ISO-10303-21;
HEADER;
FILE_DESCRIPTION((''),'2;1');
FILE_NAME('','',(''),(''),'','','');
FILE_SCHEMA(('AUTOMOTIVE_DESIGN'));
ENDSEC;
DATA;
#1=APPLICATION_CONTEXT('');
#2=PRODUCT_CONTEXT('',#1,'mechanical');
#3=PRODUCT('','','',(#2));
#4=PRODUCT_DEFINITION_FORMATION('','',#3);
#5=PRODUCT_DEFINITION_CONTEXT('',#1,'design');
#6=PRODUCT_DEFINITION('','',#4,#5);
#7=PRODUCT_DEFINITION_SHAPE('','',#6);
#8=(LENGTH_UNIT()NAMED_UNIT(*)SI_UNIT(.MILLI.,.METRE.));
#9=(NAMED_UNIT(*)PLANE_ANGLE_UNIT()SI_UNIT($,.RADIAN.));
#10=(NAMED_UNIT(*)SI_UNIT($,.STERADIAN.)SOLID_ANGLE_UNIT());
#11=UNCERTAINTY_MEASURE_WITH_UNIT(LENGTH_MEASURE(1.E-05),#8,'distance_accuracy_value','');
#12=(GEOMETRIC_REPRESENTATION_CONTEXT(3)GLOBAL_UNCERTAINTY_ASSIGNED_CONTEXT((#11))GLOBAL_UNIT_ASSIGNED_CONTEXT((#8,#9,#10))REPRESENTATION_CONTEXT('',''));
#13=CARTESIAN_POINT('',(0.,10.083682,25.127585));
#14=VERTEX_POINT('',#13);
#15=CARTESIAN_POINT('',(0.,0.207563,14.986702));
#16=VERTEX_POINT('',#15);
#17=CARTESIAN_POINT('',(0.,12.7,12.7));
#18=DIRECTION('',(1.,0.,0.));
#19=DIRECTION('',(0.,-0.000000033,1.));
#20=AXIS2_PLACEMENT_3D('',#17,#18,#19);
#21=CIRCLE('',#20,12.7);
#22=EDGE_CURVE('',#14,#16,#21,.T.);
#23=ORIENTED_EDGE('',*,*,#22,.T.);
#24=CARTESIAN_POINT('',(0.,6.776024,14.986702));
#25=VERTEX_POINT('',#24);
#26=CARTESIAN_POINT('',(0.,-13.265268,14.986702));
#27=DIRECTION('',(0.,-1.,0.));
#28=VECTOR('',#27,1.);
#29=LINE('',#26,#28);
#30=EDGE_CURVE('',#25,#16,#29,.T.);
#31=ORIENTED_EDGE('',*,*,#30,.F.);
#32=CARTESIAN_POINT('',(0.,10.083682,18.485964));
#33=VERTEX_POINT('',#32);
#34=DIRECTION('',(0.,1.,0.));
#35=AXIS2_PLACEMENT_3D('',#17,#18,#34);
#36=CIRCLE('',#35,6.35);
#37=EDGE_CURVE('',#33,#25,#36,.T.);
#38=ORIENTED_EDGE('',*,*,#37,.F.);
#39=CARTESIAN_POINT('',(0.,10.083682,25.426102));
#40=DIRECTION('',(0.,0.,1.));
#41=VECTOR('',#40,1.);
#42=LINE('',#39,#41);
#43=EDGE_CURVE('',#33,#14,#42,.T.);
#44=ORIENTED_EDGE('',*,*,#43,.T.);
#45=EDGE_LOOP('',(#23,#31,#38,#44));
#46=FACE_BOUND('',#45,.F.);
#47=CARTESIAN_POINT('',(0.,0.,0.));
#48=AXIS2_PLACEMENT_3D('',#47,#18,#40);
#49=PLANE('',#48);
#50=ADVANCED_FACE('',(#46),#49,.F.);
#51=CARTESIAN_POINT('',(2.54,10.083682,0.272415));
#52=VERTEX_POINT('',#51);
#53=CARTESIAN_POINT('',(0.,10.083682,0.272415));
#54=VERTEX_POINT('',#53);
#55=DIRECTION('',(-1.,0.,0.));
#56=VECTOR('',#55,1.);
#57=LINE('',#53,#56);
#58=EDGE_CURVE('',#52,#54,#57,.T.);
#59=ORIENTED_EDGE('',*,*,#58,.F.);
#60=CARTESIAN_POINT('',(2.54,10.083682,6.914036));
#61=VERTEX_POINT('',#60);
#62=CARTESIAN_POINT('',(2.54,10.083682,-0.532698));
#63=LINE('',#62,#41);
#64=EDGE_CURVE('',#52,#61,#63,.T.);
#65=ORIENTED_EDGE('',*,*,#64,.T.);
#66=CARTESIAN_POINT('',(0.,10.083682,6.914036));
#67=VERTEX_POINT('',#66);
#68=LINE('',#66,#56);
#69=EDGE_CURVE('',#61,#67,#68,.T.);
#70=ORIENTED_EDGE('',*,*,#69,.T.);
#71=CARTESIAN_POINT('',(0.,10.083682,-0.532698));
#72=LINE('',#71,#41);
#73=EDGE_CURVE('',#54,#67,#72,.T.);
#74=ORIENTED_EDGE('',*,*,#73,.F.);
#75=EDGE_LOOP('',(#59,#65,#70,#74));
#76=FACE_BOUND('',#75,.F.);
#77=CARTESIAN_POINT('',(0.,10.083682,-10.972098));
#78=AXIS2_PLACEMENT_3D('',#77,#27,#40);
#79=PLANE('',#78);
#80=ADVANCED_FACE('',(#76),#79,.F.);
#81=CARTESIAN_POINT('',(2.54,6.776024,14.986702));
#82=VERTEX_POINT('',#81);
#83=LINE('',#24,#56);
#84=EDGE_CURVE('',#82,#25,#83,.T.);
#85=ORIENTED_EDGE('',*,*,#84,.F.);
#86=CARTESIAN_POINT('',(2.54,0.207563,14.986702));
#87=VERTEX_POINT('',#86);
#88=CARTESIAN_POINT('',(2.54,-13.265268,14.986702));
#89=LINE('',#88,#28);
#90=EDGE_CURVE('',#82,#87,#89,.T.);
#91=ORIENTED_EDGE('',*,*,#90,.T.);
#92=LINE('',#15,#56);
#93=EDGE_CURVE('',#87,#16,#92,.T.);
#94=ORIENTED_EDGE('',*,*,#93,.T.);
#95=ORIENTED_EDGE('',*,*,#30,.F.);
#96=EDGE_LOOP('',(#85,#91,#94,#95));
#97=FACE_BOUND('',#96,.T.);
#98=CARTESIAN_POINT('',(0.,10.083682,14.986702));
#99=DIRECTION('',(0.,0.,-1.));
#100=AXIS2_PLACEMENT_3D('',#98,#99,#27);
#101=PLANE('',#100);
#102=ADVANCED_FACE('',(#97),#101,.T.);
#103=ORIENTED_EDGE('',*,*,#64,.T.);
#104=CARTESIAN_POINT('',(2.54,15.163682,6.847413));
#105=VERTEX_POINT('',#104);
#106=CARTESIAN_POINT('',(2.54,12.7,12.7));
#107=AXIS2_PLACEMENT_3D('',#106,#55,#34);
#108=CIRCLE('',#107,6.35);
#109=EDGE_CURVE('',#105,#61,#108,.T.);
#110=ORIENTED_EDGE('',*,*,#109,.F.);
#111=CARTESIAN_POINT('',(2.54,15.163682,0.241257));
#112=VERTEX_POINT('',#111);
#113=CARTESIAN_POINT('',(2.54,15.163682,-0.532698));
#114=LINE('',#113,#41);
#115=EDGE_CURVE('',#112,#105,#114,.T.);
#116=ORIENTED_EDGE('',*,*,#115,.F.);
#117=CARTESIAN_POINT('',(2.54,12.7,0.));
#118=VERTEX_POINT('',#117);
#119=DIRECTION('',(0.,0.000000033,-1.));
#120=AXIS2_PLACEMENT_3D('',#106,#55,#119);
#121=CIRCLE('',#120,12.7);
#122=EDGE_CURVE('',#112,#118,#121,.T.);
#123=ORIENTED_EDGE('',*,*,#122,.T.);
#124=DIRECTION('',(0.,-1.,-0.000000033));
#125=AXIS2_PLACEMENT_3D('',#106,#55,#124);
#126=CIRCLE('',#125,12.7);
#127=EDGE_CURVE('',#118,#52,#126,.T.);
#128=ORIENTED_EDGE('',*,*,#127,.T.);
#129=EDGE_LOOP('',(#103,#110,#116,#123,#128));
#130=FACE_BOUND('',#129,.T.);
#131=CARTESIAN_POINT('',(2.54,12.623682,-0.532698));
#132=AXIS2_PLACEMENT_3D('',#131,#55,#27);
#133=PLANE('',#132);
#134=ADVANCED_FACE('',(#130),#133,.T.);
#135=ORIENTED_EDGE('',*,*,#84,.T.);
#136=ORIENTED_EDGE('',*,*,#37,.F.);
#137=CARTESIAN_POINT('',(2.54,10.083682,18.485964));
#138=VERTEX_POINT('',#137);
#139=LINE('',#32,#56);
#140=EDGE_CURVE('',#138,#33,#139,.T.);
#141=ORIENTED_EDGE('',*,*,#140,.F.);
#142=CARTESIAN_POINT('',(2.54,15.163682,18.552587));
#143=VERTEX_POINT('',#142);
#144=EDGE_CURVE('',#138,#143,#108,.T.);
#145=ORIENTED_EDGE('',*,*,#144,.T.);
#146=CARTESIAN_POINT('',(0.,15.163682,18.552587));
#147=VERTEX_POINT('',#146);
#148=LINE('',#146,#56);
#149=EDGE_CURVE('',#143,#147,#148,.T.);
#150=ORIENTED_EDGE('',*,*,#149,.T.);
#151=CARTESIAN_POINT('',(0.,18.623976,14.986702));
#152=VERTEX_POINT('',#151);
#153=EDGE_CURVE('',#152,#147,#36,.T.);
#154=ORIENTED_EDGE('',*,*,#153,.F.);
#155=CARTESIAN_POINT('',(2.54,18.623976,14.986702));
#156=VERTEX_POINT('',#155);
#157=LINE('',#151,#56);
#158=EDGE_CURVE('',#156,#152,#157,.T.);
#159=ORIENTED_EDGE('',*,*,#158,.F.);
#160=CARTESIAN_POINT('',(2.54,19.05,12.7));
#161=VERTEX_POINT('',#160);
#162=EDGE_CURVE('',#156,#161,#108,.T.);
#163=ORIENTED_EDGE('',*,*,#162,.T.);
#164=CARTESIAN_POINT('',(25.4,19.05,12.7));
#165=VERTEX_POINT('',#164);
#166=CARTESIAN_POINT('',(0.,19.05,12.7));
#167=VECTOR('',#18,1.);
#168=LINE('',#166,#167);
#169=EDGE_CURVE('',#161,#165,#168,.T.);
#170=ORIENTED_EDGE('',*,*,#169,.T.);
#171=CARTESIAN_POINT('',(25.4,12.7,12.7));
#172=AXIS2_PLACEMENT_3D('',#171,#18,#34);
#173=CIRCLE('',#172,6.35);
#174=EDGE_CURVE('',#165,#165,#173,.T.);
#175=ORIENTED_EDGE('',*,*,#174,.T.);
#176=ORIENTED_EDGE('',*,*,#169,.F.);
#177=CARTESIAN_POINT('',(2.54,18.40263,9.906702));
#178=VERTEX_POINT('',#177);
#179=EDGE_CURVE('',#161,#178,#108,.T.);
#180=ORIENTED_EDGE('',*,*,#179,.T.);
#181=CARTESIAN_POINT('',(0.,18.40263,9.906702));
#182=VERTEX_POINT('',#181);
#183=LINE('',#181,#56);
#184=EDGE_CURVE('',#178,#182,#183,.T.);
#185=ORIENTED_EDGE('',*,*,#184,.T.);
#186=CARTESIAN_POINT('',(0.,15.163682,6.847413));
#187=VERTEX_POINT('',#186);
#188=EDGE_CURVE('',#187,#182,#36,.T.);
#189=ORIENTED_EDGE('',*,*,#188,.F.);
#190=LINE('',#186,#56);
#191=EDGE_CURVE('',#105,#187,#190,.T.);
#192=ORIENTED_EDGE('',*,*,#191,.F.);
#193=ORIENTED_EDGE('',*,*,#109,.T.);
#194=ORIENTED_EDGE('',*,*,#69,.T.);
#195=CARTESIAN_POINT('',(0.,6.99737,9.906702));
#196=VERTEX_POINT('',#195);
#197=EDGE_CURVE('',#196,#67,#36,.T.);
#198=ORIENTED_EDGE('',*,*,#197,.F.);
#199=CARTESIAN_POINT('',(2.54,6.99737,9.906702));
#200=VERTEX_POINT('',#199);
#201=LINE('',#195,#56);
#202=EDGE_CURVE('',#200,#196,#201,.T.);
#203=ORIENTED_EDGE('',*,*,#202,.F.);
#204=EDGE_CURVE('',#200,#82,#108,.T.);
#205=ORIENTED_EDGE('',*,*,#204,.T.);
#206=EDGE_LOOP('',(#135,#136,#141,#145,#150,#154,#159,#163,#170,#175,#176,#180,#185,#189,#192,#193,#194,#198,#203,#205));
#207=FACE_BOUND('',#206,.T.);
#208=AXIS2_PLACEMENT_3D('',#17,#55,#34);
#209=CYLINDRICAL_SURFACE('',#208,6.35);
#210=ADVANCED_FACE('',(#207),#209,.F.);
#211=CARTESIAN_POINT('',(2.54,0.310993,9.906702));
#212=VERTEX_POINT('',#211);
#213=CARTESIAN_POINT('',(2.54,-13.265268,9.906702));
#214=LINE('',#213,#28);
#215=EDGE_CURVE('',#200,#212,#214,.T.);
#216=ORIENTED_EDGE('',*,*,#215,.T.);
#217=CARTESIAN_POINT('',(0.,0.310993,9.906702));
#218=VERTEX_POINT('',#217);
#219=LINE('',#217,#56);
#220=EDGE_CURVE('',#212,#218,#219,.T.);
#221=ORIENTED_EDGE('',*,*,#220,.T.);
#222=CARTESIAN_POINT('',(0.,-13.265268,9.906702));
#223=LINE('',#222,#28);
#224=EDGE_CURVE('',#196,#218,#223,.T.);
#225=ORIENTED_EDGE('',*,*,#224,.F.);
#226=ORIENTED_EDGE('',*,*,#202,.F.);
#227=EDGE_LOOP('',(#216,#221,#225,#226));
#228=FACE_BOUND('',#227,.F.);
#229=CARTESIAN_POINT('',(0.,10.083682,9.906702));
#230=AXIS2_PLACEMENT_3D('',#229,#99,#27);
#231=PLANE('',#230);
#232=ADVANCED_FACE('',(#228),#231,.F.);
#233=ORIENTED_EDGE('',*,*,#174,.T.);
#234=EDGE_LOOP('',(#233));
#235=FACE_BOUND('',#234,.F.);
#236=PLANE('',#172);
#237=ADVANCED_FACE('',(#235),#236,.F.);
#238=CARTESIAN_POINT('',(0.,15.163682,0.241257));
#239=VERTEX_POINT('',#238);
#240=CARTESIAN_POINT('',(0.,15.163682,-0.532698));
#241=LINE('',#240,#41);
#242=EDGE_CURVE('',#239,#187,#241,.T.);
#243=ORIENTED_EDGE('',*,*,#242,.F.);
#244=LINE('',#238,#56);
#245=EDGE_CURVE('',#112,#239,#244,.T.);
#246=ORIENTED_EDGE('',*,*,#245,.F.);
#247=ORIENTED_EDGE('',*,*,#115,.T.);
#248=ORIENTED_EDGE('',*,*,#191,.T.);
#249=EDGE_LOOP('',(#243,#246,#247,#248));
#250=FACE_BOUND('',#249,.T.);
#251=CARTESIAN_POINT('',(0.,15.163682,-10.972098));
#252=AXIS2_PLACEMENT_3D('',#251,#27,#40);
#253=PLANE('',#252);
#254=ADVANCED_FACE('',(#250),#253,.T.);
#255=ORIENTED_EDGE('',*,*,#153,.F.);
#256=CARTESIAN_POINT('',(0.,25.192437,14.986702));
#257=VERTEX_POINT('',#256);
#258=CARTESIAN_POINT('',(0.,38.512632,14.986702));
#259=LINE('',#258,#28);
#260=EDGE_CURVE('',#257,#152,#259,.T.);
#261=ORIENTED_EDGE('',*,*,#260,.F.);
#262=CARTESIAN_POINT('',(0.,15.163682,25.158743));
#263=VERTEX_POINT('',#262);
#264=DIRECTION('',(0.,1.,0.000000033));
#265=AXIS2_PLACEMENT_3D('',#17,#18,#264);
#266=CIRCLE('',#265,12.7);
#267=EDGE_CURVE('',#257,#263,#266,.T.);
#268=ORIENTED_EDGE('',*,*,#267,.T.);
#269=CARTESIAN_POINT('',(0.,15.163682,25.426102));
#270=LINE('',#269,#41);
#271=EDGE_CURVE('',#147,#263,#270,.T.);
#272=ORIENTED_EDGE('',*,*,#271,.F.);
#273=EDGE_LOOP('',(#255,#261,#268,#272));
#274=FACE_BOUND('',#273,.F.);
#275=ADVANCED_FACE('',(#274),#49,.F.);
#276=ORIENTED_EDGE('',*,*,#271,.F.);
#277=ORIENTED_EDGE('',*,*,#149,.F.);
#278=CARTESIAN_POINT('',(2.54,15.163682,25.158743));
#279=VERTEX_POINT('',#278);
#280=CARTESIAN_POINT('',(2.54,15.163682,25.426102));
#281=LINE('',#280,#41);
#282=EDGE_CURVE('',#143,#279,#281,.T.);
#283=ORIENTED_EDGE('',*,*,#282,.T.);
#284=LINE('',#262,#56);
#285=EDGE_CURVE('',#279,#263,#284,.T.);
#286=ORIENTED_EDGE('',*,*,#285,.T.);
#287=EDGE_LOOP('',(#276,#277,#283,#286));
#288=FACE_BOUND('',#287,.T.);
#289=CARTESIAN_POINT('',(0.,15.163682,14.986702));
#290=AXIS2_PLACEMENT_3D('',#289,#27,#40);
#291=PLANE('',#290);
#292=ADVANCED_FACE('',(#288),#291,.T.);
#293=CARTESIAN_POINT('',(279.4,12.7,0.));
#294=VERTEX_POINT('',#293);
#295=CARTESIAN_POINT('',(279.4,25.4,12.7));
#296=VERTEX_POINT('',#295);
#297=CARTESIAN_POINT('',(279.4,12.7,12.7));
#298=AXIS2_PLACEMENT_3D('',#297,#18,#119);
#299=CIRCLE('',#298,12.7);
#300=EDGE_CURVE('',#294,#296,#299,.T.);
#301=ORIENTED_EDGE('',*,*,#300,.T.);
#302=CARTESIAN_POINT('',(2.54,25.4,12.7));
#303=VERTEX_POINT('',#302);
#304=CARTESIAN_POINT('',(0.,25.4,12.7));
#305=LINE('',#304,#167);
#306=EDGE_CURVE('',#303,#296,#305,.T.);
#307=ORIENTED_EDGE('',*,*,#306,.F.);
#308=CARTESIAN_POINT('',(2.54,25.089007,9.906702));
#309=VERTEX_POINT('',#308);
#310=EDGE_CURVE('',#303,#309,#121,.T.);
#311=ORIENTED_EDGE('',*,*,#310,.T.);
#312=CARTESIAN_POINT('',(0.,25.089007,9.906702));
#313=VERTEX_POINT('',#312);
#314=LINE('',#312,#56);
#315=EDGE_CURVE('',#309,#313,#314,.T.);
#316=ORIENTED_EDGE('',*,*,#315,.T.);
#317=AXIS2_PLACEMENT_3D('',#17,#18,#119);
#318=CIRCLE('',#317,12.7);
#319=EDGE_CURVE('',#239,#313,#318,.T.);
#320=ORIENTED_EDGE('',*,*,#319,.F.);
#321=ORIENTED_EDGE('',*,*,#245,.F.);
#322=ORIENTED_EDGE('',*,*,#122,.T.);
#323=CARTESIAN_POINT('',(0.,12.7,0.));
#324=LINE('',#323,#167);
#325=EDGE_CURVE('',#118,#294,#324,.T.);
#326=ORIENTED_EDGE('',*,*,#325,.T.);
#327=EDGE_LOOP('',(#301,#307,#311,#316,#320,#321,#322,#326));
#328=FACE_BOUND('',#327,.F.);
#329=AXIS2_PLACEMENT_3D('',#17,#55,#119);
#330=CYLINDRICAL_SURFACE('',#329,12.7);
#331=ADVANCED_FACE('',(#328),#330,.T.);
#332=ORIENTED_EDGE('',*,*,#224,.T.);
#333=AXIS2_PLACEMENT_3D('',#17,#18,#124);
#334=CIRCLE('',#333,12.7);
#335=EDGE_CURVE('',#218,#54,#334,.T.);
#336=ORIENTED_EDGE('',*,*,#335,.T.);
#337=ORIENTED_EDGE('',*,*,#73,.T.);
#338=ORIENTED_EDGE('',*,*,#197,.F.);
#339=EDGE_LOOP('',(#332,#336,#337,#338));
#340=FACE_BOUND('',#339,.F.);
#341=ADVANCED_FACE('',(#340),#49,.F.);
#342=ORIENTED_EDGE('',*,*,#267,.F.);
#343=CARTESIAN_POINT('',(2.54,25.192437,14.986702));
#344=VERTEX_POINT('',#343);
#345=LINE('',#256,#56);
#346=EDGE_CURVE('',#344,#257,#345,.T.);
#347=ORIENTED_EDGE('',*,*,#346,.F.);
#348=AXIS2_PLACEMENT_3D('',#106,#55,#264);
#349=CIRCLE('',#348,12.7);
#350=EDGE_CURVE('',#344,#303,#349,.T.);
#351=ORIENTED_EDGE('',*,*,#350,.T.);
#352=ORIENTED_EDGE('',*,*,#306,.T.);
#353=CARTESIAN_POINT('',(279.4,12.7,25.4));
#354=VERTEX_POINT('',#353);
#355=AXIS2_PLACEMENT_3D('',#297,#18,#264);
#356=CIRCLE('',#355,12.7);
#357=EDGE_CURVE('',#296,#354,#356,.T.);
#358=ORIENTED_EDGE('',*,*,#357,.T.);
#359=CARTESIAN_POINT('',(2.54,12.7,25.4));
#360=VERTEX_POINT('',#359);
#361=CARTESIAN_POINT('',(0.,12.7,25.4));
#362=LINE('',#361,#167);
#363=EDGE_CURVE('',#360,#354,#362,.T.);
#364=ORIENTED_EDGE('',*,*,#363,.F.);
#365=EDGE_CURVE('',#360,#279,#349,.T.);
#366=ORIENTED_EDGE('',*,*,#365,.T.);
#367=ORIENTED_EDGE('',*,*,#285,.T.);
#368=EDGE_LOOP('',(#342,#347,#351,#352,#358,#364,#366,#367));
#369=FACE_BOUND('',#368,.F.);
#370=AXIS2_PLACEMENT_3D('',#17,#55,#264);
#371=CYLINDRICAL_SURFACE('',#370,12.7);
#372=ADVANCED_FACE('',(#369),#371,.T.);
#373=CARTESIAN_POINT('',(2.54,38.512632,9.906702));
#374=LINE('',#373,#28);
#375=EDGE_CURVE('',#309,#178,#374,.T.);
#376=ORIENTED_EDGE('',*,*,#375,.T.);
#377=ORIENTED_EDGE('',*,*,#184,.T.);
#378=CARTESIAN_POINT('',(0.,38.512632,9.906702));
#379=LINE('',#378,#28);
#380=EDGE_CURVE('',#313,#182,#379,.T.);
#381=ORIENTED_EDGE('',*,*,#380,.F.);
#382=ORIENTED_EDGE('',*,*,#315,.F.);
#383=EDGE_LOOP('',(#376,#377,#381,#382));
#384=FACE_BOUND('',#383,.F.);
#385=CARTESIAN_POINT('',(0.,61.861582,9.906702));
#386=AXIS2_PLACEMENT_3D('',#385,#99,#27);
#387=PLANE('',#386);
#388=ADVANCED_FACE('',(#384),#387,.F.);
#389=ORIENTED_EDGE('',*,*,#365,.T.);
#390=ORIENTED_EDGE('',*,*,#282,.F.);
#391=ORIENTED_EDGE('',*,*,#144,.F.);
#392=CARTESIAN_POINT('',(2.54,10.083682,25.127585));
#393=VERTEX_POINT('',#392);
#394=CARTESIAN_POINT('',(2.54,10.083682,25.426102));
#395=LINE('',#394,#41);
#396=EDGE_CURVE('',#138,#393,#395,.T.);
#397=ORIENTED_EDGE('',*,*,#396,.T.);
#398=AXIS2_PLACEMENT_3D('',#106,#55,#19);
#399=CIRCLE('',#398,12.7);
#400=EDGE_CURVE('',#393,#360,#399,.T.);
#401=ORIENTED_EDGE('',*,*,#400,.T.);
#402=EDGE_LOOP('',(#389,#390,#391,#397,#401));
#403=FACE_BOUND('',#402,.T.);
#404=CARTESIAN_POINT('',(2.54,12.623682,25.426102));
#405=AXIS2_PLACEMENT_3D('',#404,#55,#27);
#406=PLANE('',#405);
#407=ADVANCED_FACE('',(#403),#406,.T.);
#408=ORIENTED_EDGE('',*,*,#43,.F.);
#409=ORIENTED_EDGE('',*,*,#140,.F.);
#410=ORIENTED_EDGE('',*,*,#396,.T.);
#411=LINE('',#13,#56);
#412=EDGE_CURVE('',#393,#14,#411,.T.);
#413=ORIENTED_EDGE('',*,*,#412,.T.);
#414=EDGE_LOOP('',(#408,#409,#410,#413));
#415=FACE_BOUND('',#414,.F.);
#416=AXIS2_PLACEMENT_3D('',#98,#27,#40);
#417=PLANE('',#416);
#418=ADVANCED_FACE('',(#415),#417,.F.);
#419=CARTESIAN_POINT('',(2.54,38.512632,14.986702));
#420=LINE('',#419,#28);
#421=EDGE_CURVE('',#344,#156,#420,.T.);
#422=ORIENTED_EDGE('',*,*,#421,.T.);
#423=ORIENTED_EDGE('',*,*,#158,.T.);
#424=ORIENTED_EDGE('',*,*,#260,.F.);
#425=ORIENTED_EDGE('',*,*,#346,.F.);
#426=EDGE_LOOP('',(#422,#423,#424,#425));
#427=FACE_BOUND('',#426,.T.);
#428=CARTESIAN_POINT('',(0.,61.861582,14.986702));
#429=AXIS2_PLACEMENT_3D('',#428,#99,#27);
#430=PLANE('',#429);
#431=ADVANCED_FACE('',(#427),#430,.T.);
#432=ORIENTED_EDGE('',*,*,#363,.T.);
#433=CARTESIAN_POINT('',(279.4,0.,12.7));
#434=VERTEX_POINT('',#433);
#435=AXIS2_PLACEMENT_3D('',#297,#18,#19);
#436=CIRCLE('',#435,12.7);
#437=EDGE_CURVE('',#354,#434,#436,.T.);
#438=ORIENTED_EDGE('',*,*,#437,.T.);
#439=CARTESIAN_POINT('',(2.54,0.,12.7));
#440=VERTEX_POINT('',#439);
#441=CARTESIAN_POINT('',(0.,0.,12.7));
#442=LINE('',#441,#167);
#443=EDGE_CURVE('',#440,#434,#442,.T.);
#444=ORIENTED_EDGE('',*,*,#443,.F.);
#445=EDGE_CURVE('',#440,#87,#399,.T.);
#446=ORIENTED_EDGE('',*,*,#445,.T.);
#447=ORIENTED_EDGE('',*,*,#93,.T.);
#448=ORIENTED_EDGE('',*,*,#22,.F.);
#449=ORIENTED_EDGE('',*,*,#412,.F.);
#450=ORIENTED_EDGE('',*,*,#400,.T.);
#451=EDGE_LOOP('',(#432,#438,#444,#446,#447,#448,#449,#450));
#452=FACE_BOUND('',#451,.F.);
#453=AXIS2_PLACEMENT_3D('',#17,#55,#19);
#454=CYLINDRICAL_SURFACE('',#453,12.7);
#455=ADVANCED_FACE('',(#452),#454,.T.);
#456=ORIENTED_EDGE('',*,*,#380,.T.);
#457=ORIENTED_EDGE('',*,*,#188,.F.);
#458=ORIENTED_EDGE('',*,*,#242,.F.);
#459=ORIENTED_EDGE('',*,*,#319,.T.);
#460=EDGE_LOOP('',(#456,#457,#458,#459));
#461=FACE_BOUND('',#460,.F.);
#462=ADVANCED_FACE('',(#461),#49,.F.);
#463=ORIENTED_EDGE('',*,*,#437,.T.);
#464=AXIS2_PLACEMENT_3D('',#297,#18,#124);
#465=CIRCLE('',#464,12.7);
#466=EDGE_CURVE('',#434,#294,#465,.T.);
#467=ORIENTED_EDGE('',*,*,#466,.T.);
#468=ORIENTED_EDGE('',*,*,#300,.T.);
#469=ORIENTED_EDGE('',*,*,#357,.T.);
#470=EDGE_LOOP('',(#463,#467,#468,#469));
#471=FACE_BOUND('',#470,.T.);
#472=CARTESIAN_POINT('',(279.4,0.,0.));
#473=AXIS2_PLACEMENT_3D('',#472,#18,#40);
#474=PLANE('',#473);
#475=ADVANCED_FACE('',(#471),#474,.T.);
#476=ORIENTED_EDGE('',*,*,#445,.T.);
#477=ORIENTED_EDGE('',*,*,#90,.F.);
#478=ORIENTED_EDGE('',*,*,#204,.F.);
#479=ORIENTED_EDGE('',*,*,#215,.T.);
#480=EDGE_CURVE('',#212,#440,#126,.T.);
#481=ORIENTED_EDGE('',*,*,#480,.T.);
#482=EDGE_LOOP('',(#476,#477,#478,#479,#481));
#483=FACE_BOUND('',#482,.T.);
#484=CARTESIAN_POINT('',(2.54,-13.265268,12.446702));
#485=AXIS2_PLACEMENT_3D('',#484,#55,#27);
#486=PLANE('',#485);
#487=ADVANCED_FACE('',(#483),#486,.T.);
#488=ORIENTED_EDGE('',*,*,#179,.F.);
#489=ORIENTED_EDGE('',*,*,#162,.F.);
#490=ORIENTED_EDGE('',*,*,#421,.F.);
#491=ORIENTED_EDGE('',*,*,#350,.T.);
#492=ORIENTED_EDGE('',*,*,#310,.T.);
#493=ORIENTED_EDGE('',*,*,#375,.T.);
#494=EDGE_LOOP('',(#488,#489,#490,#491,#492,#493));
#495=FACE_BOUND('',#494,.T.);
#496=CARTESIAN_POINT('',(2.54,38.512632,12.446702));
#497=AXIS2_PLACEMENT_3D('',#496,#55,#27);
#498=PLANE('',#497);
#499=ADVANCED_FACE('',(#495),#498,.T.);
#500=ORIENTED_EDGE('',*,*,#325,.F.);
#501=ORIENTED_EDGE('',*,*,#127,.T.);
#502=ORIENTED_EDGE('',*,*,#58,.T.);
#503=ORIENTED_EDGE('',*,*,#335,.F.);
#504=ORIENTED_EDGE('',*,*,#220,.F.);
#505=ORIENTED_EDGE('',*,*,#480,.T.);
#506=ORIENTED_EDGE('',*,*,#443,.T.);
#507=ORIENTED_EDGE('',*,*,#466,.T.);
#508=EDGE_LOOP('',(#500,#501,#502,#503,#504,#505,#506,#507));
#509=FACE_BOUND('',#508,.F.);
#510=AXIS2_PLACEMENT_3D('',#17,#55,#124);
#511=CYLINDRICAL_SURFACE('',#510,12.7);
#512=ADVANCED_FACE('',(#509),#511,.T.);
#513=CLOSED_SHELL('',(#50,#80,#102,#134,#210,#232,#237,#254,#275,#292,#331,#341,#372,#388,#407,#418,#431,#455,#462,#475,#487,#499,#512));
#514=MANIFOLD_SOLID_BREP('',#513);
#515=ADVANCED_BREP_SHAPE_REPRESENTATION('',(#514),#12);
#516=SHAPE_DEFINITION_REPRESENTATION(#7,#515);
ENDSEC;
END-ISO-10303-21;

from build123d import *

# Parameters (mm, degrees)
F0_W     = 279.4
F0_H     = 25.4
F1_DEPTH = 25.4
F3_DEPTH = 279.4
F4_R     = 6.35
F5_DEPTH = 25.4
F6_W     = 5.08
F6_H     = 20.8788
F6_W_2   = 46.6979
F6_H_2   = 5.08
F7_DEPTH = 2.54


with BuildPart() as f1:
    # F0 (on Front) → F1 (new body)
    with BuildSketch(Plane.XZ):
        with Locations((139.7, 12.7)):
            Rectangle(F0_W, F0_H)
    extrude(amount=-F1_DEPTH)

    # F2 (on face) → F3 (cut)
    with BuildSketch(Plane(origin=(0, 0, 0), x_dir=(0, -1, 0), z_dir=(-1, 0, 0))):
        with BuildLine():
            Line((0, 0), (0, 12.7))
            ThreePointArc((0, 12.7), (-3.719744, 3.719744), (-12.7, 0))
            Line((-12.7, 0), (0, 0))
        make_face()
        with BuildLine():
            Line((-25.4, 0), (-12.7, 0))
            ThreePointArc((-12.7, 0), (-21.680256, 3.719744), (-25.4, 12.7))
            Line((-25.4, 12.7), (-25.4, 0))
        make_face()
        with BuildLine():
            ThreePointArc((-25.4, 12.7), (-21.680256, 21.680256), (-12.7, 25.4))
            Line((-12.7, 25.4), (-25.4, 25.4))
            Line((-25.4, 25.4), (-25.4, 12.7))
        make_face()
        with BuildLine():
            ThreePointArc((-12.7, 25.4), (-3.719744, 21.680256), (0, 12.7))
            Line((0, 12.7), (0, 25.4))
            Line((0, 25.4), (-12.7, 25.4))
        make_face()
    extrude(amount=-F3_DEPTH, mode=Mode.SUBTRACT)

    # F4 (on Right) → F5 (cut)
    with BuildSketch(Plane.YZ):
        with Locations((12.7, 12.7)):
            Circle(F4_R)
    extrude(amount=F5_DEPTH, mode=Mode.SUBTRACT)

    # F6 (on face) → F7 (cut)
    with BuildSketch(Plane(origin=(0, 0, 0), x_dir=(0, -1, 0), z_dir=(-1, 0, 0))):
        with Locations((-12.623682, 25.426102)):
            Rectangle(F6_W, F6_H)
        with Locations((13.265268, 12.446702)):
            Rectangle(F6_W_2, F6_H_2)
        with Locations((-38.512632, 12.446702)):
            Rectangle(F6_W_2, F6_H_2)
        with Locations((-12.623682, -0.532698)):
            Rectangle(F6_W, F6_H)
    extrude(amount=-F7_DEPTH, mode=Mode.SUBTRACT)


solid = f1.part
